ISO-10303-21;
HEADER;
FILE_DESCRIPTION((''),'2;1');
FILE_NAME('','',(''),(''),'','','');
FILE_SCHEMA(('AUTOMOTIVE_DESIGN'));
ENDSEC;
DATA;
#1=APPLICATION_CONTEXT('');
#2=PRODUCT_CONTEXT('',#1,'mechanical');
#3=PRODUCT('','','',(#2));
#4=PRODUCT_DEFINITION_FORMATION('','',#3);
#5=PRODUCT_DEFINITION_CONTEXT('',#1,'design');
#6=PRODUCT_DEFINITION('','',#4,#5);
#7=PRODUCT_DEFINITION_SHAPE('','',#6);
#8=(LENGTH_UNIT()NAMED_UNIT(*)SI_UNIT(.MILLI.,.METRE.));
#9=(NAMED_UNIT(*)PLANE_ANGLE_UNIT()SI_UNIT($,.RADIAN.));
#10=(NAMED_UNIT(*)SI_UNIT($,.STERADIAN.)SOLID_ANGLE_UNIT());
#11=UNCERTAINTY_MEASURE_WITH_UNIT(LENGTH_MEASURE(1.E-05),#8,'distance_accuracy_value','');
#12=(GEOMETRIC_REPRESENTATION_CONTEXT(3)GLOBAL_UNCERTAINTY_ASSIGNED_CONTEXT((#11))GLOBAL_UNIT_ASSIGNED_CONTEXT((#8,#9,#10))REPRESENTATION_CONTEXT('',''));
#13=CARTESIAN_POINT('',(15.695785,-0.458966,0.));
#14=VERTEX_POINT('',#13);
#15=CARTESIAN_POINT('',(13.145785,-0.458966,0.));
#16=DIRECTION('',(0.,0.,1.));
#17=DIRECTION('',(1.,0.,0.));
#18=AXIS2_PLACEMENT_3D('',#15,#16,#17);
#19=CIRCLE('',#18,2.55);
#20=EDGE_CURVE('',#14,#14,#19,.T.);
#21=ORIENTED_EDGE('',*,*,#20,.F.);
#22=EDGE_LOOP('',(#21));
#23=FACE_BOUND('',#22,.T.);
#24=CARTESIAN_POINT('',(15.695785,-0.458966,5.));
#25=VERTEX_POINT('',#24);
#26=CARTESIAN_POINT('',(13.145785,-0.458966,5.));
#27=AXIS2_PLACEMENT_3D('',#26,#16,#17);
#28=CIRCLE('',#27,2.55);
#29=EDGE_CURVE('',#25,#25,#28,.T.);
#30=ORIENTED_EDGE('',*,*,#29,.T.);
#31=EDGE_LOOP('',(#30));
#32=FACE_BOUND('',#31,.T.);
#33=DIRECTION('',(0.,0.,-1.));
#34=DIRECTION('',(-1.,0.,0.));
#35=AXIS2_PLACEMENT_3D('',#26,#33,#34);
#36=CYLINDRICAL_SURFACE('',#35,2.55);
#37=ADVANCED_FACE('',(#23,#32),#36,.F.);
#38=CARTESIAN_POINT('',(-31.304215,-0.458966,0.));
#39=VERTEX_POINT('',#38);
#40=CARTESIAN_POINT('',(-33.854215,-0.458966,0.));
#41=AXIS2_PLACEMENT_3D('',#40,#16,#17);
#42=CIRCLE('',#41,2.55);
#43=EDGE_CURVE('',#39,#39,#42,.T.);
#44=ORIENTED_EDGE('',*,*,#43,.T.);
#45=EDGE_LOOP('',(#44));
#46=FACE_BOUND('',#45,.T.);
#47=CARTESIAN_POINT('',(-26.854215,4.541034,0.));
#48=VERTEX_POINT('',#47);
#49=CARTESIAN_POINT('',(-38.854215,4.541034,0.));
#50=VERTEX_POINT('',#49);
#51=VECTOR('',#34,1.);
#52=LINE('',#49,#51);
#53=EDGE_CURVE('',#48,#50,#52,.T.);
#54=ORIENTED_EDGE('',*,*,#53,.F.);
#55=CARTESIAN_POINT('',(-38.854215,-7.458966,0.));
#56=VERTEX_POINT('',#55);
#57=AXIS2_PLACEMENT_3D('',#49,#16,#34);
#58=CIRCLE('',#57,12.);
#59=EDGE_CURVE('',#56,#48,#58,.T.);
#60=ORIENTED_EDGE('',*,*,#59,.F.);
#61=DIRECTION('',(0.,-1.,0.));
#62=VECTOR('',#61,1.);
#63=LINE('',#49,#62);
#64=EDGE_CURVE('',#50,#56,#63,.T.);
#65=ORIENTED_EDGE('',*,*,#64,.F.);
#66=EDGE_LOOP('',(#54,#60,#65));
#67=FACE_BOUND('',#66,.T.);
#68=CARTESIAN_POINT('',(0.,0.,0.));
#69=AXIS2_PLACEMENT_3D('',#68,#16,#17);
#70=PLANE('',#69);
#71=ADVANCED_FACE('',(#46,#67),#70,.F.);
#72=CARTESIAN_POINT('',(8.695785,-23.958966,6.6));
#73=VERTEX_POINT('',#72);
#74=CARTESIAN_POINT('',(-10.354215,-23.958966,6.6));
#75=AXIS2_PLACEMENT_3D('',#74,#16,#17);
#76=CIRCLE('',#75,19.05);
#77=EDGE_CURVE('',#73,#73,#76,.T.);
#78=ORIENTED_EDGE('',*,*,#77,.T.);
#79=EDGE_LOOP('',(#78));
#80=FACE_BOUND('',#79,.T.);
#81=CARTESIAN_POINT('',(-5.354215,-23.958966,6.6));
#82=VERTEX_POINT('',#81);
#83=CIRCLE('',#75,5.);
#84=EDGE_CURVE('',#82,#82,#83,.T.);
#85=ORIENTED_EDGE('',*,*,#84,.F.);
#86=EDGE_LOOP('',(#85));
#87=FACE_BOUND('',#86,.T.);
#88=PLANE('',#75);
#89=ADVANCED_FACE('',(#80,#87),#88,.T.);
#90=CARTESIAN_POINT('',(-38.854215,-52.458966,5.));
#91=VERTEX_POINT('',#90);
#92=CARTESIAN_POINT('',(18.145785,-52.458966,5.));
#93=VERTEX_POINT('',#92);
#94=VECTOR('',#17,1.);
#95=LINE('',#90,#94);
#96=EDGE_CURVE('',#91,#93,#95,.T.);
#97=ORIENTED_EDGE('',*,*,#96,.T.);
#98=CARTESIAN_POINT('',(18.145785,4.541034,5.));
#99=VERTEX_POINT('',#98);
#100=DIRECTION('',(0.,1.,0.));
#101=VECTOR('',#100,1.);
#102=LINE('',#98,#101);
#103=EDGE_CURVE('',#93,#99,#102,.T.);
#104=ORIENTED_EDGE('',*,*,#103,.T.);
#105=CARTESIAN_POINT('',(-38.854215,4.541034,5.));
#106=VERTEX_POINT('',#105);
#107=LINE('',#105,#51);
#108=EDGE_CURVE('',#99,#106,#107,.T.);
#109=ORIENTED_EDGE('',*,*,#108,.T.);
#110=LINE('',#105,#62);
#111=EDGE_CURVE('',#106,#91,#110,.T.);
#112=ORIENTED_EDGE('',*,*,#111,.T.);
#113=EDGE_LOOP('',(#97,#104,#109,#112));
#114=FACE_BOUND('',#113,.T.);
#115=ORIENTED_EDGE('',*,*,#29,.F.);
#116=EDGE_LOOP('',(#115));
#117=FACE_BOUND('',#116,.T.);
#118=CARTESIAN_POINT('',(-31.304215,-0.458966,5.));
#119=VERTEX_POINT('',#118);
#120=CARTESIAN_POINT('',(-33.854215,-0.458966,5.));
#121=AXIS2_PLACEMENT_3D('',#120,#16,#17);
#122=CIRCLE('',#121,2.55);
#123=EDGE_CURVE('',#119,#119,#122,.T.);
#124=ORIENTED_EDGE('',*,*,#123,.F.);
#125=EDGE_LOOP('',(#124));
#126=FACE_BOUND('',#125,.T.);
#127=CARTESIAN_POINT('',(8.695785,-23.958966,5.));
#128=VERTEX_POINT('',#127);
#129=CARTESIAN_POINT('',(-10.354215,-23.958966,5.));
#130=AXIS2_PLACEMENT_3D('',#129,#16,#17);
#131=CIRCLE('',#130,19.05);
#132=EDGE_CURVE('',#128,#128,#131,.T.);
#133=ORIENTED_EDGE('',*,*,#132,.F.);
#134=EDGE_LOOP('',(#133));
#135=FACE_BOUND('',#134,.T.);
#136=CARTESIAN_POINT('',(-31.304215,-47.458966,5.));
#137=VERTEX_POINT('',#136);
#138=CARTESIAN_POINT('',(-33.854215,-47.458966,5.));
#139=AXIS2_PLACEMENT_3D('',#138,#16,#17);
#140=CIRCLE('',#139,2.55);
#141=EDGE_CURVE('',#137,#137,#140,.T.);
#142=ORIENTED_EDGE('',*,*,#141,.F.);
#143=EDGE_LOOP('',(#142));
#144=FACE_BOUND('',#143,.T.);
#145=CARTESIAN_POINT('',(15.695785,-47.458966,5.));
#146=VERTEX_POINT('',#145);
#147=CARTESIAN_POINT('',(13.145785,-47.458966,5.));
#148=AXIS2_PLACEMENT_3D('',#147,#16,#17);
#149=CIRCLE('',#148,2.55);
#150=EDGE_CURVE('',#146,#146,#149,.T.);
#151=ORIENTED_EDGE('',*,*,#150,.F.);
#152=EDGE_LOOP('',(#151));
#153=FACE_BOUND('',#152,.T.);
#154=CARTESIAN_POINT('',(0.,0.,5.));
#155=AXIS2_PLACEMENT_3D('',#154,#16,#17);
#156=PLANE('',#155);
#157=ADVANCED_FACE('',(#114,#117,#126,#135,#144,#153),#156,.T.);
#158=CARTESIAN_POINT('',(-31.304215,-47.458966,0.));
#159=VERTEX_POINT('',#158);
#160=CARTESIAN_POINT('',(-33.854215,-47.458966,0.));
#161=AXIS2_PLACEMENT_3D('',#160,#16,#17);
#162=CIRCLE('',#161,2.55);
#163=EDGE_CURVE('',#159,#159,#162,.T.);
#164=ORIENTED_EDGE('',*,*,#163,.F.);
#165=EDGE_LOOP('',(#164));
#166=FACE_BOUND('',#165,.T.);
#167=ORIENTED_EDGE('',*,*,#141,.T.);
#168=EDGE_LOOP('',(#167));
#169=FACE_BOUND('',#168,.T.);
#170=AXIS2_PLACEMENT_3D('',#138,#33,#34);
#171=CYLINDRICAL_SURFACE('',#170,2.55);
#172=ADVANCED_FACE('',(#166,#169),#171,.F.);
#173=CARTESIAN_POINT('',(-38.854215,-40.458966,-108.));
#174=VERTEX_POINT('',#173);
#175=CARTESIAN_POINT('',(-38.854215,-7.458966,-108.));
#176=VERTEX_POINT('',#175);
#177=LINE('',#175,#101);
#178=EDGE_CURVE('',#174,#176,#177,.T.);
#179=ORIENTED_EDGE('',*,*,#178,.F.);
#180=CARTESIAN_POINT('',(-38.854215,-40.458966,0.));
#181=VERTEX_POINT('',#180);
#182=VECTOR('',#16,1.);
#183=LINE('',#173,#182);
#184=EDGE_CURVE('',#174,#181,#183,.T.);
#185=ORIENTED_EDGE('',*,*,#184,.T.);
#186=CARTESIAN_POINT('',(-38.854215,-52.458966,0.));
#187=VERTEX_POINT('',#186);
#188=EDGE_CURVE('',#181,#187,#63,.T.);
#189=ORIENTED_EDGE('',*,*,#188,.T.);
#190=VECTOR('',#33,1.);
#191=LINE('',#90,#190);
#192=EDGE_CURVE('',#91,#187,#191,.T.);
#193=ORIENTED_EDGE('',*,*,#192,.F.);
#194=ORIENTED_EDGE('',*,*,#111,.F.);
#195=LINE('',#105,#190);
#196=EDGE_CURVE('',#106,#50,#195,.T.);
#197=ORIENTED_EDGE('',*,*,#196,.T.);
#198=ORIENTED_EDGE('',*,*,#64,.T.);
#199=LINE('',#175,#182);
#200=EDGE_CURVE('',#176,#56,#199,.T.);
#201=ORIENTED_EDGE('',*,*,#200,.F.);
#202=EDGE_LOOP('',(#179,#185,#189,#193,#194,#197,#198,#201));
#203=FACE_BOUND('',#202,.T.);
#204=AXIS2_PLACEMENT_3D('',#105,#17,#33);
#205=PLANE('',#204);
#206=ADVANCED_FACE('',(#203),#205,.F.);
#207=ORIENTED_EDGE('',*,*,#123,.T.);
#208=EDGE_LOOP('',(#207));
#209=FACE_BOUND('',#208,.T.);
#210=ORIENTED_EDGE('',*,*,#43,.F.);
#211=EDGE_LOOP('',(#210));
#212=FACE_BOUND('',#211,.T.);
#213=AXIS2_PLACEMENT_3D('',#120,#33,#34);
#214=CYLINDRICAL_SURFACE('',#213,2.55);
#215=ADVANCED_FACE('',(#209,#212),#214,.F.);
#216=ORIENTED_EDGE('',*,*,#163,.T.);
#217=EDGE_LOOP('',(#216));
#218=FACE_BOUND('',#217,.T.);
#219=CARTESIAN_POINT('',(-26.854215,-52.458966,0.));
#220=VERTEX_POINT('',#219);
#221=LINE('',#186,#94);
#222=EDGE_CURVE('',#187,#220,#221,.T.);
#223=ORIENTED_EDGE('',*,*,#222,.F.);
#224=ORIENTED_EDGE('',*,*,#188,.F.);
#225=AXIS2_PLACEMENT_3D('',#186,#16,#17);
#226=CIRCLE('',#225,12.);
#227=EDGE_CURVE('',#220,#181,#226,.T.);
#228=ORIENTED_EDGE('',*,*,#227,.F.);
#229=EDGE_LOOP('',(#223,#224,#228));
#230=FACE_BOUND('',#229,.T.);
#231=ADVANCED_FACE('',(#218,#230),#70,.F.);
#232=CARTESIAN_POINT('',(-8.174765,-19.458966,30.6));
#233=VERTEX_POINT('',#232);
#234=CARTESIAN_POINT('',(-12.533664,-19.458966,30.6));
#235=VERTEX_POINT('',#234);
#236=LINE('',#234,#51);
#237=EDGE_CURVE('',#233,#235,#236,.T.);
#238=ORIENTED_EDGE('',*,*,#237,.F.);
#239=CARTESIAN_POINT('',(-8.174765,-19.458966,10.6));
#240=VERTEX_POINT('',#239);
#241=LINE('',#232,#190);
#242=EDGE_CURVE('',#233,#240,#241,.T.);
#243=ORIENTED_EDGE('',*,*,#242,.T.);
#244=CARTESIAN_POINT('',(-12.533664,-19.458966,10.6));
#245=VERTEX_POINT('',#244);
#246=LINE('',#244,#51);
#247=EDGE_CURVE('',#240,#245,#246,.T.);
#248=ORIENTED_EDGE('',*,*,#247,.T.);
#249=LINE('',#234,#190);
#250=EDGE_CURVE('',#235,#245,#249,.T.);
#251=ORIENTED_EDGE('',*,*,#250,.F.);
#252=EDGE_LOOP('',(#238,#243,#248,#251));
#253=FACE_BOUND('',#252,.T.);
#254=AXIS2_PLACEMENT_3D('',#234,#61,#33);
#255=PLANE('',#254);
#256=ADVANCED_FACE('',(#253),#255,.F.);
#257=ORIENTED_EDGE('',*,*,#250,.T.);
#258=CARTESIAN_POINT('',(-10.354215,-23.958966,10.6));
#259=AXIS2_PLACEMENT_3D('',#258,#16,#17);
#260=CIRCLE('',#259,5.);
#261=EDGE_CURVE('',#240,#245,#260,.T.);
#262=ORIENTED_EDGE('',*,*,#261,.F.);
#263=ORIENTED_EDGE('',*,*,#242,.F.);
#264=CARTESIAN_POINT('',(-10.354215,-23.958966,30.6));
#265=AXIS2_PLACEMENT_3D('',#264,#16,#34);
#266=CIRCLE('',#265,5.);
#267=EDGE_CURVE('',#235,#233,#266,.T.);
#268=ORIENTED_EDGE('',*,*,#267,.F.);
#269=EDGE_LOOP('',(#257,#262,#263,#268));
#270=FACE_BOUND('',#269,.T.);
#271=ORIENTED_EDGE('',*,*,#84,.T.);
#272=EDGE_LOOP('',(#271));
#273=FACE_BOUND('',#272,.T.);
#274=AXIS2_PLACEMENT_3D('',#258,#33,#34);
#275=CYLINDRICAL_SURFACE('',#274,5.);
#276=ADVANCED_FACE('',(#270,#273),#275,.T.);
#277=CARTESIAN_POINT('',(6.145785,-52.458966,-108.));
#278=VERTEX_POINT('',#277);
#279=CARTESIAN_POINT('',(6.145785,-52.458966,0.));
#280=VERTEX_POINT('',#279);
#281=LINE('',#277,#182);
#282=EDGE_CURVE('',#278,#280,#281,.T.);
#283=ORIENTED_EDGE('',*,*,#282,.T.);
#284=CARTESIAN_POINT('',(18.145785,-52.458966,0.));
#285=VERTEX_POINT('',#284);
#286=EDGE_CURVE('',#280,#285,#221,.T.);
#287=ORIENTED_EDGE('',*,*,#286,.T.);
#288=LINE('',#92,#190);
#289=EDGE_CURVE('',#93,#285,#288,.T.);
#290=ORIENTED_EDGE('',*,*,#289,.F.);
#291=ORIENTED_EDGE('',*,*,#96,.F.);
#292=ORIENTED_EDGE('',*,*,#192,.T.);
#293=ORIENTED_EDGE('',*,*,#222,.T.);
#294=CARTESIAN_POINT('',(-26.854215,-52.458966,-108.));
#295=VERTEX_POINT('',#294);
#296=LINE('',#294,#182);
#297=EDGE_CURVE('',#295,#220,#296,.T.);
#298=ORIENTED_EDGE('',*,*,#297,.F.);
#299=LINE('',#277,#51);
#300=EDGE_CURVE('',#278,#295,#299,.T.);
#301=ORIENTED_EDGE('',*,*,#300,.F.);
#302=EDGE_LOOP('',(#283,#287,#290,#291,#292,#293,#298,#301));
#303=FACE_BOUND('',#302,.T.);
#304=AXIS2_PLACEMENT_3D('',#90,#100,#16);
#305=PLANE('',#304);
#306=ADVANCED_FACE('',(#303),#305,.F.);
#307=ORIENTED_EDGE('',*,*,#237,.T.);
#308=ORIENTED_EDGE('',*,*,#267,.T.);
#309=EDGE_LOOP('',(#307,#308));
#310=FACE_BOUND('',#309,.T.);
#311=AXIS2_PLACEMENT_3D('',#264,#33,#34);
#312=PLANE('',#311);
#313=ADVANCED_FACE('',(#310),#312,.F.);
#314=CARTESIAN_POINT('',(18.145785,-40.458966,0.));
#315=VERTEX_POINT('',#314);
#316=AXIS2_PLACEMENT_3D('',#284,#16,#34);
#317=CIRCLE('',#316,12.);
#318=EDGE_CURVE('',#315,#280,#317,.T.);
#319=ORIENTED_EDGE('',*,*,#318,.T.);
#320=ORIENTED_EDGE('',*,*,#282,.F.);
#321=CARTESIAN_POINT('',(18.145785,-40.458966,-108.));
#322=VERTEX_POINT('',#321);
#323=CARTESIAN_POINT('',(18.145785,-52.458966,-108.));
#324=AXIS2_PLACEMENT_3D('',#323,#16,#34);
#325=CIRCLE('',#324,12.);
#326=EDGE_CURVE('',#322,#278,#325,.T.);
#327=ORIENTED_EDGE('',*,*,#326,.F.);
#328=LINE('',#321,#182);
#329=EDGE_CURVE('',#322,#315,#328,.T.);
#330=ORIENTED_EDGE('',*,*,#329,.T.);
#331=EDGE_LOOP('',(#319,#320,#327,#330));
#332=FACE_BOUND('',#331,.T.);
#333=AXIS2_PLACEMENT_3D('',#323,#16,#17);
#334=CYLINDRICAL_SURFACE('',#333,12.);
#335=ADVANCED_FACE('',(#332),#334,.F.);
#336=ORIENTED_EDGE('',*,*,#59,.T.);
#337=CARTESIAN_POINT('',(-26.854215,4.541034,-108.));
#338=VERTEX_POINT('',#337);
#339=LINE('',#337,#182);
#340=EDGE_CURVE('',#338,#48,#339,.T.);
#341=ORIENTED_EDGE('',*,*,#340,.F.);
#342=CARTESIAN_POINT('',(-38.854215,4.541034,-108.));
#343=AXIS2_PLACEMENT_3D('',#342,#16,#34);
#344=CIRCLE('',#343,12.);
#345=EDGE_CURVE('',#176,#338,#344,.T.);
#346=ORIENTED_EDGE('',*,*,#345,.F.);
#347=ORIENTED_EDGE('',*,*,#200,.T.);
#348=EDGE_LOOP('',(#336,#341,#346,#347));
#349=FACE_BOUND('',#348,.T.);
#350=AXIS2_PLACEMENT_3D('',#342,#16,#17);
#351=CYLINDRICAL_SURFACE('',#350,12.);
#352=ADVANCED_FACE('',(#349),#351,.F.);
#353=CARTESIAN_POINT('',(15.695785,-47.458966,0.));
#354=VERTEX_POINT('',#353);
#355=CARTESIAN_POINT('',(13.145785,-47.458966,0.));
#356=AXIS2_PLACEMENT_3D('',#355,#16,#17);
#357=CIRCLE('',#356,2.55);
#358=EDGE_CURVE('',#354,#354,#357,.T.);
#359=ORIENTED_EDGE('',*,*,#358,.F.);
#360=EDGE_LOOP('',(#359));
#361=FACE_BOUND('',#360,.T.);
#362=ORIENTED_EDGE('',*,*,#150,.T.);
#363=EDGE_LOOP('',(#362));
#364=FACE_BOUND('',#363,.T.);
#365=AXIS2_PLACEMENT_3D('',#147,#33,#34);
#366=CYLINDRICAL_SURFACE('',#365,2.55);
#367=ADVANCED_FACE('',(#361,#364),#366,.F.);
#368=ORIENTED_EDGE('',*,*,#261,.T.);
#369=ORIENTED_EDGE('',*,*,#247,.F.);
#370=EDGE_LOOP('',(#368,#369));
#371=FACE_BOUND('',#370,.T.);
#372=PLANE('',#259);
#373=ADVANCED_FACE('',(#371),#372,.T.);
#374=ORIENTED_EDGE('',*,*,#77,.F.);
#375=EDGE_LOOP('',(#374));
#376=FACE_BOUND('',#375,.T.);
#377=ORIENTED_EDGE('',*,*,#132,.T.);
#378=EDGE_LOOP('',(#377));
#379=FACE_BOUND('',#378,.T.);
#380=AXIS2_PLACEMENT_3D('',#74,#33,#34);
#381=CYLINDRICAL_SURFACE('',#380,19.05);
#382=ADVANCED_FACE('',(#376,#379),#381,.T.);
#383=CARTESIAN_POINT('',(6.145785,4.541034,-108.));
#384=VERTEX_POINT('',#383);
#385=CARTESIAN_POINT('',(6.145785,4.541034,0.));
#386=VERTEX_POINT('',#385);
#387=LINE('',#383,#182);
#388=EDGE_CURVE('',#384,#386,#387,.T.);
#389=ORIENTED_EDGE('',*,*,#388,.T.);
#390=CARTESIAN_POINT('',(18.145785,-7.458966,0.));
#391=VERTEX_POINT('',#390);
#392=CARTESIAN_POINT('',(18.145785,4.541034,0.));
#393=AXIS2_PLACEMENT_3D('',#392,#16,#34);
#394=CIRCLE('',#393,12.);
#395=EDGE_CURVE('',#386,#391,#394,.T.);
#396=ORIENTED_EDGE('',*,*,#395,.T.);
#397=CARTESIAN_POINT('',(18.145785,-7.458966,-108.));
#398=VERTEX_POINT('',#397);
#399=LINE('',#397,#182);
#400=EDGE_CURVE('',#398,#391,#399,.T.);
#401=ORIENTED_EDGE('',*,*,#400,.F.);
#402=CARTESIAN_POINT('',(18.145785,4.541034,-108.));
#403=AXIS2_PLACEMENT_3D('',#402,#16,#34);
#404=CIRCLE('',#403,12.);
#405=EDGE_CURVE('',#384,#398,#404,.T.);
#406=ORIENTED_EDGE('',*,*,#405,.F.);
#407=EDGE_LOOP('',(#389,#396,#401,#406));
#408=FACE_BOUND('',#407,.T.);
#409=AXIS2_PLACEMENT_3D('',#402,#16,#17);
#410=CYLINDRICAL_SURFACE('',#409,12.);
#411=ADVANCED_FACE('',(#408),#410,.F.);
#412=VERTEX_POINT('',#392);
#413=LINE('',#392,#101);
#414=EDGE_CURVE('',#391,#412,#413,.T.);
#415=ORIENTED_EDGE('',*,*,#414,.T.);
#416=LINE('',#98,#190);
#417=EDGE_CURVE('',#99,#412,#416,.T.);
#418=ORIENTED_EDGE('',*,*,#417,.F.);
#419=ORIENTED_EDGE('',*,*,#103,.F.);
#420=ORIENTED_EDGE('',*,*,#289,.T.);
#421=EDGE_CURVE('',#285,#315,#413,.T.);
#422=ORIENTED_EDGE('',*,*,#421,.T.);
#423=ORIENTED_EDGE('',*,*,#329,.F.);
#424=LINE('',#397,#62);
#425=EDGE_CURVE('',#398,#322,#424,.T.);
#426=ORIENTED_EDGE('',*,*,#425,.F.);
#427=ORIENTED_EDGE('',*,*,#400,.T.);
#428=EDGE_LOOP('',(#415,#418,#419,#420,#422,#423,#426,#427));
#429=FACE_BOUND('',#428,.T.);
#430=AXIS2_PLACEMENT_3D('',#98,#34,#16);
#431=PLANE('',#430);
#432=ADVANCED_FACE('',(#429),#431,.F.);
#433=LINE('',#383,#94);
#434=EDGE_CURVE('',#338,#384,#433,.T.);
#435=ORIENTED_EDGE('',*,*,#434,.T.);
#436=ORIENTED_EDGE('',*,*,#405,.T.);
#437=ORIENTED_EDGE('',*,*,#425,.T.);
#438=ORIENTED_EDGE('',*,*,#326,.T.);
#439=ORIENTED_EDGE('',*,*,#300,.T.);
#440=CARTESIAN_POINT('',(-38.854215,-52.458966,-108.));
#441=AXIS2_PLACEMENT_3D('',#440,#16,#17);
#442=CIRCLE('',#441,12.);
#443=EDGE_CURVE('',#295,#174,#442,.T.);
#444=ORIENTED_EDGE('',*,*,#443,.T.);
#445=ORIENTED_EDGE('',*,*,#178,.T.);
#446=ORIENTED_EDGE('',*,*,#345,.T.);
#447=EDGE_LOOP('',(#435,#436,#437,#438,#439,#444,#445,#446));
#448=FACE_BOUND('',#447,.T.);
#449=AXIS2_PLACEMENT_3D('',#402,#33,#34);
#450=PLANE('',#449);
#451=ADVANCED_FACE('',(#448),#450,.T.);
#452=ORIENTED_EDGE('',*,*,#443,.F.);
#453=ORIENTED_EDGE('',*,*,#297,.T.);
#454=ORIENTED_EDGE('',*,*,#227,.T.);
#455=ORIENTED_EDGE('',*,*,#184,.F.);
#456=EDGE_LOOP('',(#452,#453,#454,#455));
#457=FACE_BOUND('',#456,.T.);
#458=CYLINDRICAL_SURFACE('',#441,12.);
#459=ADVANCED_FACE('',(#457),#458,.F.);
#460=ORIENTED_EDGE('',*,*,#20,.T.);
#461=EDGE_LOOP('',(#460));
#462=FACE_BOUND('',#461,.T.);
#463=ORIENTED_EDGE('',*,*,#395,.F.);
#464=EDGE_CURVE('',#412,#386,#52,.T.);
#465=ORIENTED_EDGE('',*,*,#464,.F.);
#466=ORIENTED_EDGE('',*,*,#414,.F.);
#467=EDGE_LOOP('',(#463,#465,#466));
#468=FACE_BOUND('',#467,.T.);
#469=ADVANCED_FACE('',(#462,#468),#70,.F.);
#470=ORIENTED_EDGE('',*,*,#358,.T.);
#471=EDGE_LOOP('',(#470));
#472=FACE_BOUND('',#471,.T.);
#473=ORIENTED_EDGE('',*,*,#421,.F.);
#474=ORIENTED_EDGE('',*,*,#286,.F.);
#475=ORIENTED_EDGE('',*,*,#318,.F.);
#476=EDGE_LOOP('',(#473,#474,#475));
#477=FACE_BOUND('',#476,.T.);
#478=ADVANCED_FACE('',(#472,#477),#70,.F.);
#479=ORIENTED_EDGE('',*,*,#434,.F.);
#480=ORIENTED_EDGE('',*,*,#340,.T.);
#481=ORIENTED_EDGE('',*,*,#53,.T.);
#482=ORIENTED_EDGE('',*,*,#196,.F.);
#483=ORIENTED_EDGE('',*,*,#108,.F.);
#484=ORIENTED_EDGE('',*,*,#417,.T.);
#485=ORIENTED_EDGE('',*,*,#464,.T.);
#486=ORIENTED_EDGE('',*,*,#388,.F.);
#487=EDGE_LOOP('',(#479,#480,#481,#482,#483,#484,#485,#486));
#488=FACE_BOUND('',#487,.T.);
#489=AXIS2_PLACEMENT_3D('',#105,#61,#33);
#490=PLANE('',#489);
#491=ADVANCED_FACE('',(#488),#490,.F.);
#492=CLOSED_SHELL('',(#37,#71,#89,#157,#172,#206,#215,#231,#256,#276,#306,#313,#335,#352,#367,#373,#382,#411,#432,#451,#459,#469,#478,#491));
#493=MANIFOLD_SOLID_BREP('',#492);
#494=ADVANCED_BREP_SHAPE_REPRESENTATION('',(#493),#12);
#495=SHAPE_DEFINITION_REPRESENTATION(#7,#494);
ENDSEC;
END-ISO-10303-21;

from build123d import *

# Parameters (mm, degrees)
ESQUISSE1_W        = 57
ESQUISSE1_H        = 57
ESQUISSE1_R        = 2.55
BOSS_EXTRU_1_DEPTH = 5
BOSS_EXTRU_2_DEPTH = 108
ESQUISSE3_R        = 19.05
BOSS_EXTRU_3_DEPTH = 1.6
ESQUISSE4_R        = 5
BOSS_EXTRU_4_DEPTH = 4
BOSS_EXTRU_5_DEPTH = 20


with BuildPart() as part:
    # Esquisse1 → Boss.-Extru.1 (new body)
    with BuildSketch(Plane.XY):
        with Locations((-10.354214819, -23.958965641)):
            Rectangle(ESQUISSE1_W, ESQUISSE1_H)
        with Locations((-33.854214819, -0.458965641)):
            Circle(ESQUISSE1_R, mode=Mode.SUBTRACT)
        with Locations((13.145785181, -0.458965641)):
            Circle(ESQUISSE1_R, mode=Mode.SUBTRACT)
        with Locations((13.145785181, -47.458965641)):
            Circle(ESQUISSE1_R, mode=Mode.SUBTRACT)
        with Locations((-33.854214819, -47.458965641)):
            Circle(ESQUISSE1_R, mode=Mode.SUBTRACT)
    extrude(amount=BOSS_EXTRU_1_DEPTH)

    # Esquisse2 → Boss.-Extru.2 (add)
    with BuildSketch(Plane(origin=(0, 0, 0), x_dir=(-1, 0, 0), z_dir=(0, 0, -1))):
        with BuildLine():
            Line((-6.145785181, 4.541034359), (26.854214819, 4.541034359))
            ThreePointArc((26.854214819, 4.541034359), (30.368933444, -3.944247016), (38.854214819, -7.458965641))
            Line((38.854214819, -7.458965641), (38.854214819, -40.458965641))
            ThreePointArc((38.854214819, -40.458965641), (30.368933444, -43.973684267), (26.854214819, -52.458965641))
            Line((26.854214819, -52.458965641), (-6.145785181, -52.458965641))
            ThreePointArc((-6.145785181, -52.458965641), (-9.660503807, -43.973684267), (-18.145785181, -40.458965641))
            Line((-18.145785181, -40.458965641), (-18.145785181, -7.458965641))
            ThreePointArc((-18.145785181, -7.458965641), (-9.660503807, -3.944247016), (-6.145785181, 4.541034359))
        make_face()
    extrude(amount=BOSS_EXTRU_2_DEPTH)

    # Esquisse3 → Boss.-Extru.3 (add)
    with BuildSketch(Plane.XY.offset(5)):
        with Locations((-10.354214819, -23.958965641)):
            Circle(ESQUISSE3_R)
    extrude(amount=BOSS_EXTRU_3_DEPTH)

    # Esquisse4 → Boss.-Extru.4 (add)
    with BuildSketch(Plane.XY.offset(6.6)):
        with Locations((-10.354214819, -23.958965641)):
            Circle(ESQUISSE4_R)
    extrude(amount=BOSS_EXTRU_4_DEPTH)

    # Esquisse5 → Boss.-Extru.5 (add)
    with BuildSketch(Plane.XY.offset(10.6)):
        with BuildLine():
            Line((-12.53366429, -19.458965641), (-8.174765347, -19.458965641))
            ThreePointArc((-8.174765347, -19.458965641), (-10.354214819, -28.958965641), (-12.53366429, -19.458965641))
        make_face()
    extrude(amount=BOSS_EXTRU_5_DEPTH)


solid = part.part
